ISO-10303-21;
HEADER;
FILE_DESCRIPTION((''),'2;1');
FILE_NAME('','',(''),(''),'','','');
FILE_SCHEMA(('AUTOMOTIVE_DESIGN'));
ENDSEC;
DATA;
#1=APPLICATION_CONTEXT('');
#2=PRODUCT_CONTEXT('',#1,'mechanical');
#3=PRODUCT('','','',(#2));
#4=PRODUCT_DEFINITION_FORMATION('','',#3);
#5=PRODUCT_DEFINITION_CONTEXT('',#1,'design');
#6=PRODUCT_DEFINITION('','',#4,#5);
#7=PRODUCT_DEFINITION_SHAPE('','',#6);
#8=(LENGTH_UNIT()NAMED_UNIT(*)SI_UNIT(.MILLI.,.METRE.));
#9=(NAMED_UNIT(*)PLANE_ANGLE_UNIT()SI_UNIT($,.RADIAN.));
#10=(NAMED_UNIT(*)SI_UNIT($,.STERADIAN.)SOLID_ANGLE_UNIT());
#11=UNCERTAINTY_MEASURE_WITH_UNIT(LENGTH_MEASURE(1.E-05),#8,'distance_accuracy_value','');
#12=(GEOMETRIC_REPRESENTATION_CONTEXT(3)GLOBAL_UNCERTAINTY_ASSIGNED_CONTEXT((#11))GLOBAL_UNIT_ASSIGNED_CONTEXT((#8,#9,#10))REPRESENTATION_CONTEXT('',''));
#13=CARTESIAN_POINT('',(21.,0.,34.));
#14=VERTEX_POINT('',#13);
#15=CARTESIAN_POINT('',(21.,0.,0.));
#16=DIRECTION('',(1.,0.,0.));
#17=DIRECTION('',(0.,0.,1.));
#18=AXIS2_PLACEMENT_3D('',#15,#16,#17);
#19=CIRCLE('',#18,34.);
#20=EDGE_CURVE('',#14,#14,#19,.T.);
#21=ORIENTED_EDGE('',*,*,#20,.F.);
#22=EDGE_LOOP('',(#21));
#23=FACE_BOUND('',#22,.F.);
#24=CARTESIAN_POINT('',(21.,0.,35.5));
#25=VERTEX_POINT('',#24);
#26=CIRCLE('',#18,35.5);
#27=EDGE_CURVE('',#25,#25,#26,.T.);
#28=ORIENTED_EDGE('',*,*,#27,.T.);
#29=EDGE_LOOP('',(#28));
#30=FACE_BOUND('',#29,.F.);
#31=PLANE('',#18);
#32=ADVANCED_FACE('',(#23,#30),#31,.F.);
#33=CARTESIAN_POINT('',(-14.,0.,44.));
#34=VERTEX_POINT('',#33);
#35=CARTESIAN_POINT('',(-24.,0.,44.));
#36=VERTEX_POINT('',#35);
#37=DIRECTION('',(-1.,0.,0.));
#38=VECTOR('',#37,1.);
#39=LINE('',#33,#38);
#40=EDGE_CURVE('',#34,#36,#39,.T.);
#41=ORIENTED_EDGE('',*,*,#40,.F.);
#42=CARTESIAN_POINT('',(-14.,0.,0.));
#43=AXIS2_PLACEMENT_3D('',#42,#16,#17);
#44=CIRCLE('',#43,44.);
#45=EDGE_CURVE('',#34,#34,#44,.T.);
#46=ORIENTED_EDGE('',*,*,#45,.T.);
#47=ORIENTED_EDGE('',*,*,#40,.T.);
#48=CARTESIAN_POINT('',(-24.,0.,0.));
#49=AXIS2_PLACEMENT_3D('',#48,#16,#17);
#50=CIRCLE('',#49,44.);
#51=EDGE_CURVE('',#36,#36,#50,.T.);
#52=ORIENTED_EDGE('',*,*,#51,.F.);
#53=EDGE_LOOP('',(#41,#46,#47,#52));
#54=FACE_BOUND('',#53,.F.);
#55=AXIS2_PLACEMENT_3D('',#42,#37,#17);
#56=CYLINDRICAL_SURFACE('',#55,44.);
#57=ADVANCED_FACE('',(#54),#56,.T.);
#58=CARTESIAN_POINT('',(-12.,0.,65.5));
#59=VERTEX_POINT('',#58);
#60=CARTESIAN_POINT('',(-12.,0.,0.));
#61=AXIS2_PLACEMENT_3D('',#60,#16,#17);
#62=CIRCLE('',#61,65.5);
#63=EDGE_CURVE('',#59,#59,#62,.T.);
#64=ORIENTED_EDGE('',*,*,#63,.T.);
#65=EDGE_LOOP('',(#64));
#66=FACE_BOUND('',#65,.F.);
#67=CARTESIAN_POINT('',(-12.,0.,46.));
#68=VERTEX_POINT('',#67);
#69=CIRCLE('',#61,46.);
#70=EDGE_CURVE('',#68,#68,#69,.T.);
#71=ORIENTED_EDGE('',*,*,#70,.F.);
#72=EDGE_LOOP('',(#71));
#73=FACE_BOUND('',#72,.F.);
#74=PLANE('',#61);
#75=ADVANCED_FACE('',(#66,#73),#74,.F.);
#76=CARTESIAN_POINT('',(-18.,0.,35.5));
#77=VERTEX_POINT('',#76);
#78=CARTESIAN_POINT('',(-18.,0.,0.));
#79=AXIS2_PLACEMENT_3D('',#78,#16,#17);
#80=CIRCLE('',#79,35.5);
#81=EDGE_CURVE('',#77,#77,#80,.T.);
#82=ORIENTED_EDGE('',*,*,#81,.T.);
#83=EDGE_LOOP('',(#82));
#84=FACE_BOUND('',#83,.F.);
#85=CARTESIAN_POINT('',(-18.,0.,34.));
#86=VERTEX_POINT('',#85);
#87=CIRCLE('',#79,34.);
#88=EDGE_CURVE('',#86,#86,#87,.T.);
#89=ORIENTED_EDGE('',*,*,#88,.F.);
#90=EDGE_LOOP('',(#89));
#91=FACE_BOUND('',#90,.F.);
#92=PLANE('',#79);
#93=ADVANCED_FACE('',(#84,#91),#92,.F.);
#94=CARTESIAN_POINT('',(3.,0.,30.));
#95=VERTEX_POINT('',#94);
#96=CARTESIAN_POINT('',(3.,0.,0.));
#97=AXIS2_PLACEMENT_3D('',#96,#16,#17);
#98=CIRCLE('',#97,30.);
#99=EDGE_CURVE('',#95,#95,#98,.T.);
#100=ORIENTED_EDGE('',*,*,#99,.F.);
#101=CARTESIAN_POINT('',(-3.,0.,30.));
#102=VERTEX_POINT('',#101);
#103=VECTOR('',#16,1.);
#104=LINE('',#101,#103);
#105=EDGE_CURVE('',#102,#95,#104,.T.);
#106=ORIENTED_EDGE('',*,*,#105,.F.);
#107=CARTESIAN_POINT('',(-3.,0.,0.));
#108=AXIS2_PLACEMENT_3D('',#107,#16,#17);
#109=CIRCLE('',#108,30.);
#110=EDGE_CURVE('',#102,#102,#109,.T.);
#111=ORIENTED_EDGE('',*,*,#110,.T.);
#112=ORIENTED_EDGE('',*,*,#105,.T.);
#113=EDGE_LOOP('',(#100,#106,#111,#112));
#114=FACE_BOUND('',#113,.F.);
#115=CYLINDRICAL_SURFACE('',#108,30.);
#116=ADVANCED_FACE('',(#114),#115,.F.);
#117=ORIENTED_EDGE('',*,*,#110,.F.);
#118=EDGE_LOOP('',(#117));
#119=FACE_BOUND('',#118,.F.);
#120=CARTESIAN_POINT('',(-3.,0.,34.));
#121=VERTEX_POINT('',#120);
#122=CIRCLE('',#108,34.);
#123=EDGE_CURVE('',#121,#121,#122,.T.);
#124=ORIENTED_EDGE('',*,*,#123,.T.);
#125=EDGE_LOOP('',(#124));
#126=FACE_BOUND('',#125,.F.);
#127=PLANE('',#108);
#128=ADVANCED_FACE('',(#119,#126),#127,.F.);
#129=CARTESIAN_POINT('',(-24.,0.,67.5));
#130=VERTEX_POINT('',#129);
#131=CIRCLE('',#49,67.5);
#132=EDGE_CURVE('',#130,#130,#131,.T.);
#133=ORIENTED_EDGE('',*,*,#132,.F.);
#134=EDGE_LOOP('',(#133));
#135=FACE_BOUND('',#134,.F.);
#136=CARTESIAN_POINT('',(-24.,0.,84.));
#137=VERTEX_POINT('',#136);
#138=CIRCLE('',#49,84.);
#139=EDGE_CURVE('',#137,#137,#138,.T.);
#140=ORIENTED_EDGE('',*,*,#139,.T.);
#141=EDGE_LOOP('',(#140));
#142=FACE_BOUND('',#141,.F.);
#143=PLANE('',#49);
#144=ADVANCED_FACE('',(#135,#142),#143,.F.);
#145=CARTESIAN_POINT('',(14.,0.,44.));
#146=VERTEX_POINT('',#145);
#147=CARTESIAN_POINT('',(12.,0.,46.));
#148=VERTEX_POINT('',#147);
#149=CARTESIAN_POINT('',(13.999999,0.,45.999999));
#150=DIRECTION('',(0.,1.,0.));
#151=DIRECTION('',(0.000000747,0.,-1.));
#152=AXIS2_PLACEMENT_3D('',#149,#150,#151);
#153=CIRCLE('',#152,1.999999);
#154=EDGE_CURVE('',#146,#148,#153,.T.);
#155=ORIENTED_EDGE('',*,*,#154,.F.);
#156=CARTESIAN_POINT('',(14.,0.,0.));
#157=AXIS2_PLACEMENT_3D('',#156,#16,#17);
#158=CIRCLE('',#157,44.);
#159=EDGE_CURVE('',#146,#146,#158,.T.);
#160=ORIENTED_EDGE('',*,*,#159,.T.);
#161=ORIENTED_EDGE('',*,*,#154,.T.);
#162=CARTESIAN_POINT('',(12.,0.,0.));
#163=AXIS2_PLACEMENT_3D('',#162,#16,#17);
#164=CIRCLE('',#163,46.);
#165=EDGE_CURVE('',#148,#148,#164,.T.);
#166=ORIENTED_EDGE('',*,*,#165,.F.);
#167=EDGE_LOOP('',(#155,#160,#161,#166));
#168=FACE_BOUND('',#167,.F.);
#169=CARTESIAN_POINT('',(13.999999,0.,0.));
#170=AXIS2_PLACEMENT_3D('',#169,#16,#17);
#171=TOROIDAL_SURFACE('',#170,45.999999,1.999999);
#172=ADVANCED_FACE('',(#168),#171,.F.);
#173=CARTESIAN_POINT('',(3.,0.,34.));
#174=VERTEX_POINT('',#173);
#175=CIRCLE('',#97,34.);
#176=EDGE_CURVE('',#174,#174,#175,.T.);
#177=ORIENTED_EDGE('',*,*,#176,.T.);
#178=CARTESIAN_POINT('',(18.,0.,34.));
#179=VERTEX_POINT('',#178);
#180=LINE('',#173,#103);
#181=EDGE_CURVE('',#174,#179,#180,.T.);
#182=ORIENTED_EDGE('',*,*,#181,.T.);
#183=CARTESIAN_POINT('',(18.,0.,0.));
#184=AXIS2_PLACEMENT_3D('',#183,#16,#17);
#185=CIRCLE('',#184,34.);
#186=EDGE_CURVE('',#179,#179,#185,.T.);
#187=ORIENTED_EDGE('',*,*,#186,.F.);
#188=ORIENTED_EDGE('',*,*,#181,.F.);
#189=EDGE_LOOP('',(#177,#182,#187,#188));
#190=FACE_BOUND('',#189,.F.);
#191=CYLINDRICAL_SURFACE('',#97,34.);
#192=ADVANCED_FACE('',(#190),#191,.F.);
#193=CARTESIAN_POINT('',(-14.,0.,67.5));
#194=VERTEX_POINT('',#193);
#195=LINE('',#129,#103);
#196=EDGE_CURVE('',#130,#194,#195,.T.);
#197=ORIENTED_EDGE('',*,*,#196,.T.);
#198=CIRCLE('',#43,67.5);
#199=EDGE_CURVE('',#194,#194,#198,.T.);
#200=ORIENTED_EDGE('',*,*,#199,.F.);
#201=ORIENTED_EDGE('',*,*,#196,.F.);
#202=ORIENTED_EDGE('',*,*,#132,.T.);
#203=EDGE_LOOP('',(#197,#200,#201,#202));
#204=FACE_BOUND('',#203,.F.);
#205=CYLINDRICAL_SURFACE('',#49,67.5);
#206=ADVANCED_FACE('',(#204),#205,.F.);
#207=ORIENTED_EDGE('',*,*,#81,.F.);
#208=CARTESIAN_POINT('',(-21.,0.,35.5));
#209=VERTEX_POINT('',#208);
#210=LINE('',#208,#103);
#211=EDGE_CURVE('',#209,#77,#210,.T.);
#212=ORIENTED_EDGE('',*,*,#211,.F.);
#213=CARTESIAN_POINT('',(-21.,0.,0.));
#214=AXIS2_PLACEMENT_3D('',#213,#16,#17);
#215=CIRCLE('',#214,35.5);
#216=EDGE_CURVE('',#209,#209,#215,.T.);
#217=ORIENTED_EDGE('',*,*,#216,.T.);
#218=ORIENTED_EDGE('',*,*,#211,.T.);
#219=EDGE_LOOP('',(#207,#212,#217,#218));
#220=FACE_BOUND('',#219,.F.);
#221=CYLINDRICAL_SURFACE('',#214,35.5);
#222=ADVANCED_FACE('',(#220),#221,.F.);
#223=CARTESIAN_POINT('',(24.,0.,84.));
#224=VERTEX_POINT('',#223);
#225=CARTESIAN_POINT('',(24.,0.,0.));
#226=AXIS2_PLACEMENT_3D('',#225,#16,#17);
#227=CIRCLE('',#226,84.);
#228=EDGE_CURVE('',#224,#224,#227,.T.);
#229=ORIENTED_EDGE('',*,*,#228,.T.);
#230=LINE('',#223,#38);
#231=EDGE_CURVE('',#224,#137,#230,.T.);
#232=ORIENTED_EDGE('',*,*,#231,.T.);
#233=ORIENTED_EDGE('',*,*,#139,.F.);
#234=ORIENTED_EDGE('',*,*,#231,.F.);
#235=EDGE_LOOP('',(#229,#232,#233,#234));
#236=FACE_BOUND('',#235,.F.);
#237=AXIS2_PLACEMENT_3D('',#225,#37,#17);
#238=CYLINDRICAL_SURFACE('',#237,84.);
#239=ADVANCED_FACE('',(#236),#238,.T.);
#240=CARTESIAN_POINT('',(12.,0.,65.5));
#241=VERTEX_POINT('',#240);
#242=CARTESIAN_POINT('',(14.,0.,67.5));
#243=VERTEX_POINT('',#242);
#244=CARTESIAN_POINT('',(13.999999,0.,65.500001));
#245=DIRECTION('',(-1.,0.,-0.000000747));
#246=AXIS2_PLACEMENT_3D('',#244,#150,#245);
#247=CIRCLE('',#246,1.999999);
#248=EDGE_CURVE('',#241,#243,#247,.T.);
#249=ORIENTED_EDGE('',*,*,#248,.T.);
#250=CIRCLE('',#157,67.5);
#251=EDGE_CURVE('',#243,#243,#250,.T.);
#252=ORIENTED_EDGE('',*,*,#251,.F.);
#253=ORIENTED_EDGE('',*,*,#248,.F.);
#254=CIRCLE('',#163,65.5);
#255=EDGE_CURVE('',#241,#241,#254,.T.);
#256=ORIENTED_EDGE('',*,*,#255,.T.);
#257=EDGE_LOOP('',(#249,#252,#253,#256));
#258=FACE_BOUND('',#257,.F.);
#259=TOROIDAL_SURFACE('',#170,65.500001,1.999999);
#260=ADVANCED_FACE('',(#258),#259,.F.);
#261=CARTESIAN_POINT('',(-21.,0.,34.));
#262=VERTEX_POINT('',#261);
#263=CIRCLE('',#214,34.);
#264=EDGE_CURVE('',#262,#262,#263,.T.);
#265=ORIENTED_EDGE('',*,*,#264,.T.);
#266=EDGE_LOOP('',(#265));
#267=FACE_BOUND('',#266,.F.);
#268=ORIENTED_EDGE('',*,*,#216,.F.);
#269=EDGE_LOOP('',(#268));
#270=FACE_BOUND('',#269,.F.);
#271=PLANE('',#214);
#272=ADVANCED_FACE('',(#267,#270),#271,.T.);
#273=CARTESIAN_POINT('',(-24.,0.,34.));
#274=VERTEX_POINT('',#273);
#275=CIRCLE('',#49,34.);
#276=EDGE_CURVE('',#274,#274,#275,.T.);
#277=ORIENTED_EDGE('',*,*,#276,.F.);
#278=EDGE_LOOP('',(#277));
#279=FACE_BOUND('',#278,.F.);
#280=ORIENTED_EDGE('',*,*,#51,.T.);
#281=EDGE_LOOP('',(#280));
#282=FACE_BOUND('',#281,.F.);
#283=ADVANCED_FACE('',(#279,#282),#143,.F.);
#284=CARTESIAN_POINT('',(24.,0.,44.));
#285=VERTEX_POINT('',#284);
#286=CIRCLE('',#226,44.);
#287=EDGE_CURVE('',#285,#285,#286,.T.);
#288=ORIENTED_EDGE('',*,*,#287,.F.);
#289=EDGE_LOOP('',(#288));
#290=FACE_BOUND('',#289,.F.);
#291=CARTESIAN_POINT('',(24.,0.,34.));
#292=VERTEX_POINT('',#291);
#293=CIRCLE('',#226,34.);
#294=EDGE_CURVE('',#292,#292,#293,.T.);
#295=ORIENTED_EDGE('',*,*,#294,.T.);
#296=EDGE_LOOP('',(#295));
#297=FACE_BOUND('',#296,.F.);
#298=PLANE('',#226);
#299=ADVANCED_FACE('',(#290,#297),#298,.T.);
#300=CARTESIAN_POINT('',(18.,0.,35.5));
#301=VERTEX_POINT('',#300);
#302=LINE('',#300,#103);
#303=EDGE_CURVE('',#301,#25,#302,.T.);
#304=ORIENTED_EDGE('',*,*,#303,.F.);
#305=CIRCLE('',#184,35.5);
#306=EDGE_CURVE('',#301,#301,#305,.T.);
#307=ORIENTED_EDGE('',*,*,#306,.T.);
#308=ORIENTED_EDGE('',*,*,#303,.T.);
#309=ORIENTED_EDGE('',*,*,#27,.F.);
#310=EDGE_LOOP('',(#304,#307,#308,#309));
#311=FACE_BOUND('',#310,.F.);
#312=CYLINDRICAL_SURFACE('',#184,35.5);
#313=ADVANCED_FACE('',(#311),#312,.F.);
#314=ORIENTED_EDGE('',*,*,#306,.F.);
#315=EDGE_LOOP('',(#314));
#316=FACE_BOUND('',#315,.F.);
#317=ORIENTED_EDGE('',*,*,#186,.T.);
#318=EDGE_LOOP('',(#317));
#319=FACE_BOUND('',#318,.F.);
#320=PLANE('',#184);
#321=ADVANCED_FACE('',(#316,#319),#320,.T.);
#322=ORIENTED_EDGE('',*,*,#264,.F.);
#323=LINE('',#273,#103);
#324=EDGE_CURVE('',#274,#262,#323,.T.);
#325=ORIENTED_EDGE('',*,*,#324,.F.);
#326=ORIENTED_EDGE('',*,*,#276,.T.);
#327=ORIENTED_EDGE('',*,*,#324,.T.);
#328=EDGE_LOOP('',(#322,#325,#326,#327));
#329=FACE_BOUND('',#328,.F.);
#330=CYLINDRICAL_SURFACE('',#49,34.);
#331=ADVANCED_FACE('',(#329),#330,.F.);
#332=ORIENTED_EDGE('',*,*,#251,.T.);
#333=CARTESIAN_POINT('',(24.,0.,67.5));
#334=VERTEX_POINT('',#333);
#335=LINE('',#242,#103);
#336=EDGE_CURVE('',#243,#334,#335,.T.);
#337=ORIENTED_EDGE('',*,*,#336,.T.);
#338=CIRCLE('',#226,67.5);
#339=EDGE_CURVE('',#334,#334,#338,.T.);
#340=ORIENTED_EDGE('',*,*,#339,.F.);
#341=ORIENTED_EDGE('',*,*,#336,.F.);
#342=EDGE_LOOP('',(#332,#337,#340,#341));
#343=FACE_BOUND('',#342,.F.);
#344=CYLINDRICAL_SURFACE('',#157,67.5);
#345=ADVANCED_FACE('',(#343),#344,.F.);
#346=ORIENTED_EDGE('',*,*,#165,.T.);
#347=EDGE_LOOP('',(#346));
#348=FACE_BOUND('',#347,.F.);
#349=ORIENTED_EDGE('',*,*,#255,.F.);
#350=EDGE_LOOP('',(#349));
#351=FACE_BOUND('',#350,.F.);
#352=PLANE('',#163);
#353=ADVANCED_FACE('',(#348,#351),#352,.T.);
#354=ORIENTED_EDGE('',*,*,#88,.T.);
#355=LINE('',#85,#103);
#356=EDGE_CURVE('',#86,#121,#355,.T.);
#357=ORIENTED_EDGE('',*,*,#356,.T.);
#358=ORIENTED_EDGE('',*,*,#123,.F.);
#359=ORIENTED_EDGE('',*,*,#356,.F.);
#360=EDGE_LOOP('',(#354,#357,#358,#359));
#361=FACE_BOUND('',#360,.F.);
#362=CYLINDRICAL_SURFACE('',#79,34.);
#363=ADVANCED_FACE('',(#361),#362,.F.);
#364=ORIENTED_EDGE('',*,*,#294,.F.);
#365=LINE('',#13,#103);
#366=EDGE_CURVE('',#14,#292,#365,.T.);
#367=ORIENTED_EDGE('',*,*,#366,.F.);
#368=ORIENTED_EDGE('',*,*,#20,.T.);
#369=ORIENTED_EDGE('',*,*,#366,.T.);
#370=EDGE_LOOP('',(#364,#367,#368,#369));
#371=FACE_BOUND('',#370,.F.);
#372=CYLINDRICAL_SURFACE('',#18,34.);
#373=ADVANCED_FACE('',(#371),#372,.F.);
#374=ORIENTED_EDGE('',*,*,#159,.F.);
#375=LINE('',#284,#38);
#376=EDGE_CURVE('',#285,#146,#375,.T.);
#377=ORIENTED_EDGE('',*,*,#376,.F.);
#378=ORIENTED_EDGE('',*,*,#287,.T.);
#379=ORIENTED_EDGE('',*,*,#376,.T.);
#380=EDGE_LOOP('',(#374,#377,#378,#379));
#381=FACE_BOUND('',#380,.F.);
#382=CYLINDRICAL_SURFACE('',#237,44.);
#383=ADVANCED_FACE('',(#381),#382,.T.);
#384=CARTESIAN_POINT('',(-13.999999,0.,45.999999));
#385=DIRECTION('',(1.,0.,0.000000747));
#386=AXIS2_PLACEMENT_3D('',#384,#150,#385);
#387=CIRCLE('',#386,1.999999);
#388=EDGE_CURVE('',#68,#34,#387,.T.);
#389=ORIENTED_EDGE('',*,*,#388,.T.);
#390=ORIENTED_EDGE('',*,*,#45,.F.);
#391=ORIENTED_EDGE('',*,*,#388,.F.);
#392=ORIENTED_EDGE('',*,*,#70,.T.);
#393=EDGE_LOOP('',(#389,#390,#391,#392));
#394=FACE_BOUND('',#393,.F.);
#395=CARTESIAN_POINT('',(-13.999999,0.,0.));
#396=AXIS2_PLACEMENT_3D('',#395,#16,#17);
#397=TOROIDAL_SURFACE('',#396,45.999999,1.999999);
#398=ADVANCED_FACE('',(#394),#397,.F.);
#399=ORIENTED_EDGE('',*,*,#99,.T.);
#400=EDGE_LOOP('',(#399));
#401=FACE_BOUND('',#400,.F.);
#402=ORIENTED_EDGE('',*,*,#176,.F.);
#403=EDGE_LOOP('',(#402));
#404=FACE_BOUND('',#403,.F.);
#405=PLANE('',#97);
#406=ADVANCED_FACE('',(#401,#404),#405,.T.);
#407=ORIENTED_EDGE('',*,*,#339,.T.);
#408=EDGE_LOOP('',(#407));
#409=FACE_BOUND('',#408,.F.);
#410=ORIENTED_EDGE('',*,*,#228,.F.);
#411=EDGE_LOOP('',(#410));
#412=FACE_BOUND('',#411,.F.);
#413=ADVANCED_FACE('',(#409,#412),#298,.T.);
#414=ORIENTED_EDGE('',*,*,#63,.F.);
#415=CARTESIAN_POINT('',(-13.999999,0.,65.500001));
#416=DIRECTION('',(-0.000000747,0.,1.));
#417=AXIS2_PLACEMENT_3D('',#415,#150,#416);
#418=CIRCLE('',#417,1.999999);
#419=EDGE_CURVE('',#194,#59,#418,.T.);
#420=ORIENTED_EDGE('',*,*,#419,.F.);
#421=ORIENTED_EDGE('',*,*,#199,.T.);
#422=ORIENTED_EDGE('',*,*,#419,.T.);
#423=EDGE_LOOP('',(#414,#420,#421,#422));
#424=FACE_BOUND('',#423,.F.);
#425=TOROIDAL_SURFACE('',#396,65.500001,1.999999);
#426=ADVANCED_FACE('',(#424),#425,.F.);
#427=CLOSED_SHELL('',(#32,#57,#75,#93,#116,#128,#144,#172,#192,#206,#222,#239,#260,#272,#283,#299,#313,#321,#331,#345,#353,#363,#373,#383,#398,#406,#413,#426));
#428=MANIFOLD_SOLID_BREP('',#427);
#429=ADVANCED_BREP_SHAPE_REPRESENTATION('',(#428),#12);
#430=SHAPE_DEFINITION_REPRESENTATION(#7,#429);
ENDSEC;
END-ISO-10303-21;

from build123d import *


with BuildPart() as f1:
    # F0 (on Front) → F1 (revolve)
    with BuildSketch(Plane.XZ):
        with BuildLine():
            Line((24, 84), (0, 84))
            Line((0, 84), (-24, 84))
            Line((-24, 84), (-24, 67.5))
            Line((-24, 67.5), (-14, 67.5))
            ThreePointArc((-14, 67.5), (-12.585786, 66.914214), (-12, 65.5))
            Line((-12, 65.5), (-12, 46))
            ThreePointArc((-12, 46), (-12.585786, 44.585786), (-14, 44))
            Line((-14, 44), (-24, 44))
            Line((-24, 44), (-24, 34))
            Line((-24, 34), (-21, 34))
            Line((-21, 34), (-21, 35.5))
            Line((-21, 35.5), (-18, 35.5))
            Line((-18, 35.5), (-18, 34))
            Line((-18, 34), (-3, 34))
            Line((-3, 34), (-3, 30))
            Line((-3, 30), (0, 30))
            Line((0, 30), (3, 30))
            Line((3, 30), (3, 34))
            Line((3, 34), (18, 34))
            Line((18, 34), (18, 35.5))
            Line((18, 35.5), (21, 35.5))
            Line((21, 35.5), (21, 34))
            Line((21, 34), (24, 34))
            Line((24, 34), (24, 44))
            Line((24, 44), (14, 44))
            ThreePointArc((14, 44), (12.585786, 44.585786), (12, 46))
            Line((12, 46), (12, 65.5))
            ThreePointArc((12, 65.5), (12.585786, 66.914214), (14, 67.5))
            Line((14, 67.5), (24, 67.5))
            Line((24, 67.5), (24, 84))
        make_face()
    revolve(axis=Axis((-12, 0, 0), (1, 0, 0)))


solid = f1.part
